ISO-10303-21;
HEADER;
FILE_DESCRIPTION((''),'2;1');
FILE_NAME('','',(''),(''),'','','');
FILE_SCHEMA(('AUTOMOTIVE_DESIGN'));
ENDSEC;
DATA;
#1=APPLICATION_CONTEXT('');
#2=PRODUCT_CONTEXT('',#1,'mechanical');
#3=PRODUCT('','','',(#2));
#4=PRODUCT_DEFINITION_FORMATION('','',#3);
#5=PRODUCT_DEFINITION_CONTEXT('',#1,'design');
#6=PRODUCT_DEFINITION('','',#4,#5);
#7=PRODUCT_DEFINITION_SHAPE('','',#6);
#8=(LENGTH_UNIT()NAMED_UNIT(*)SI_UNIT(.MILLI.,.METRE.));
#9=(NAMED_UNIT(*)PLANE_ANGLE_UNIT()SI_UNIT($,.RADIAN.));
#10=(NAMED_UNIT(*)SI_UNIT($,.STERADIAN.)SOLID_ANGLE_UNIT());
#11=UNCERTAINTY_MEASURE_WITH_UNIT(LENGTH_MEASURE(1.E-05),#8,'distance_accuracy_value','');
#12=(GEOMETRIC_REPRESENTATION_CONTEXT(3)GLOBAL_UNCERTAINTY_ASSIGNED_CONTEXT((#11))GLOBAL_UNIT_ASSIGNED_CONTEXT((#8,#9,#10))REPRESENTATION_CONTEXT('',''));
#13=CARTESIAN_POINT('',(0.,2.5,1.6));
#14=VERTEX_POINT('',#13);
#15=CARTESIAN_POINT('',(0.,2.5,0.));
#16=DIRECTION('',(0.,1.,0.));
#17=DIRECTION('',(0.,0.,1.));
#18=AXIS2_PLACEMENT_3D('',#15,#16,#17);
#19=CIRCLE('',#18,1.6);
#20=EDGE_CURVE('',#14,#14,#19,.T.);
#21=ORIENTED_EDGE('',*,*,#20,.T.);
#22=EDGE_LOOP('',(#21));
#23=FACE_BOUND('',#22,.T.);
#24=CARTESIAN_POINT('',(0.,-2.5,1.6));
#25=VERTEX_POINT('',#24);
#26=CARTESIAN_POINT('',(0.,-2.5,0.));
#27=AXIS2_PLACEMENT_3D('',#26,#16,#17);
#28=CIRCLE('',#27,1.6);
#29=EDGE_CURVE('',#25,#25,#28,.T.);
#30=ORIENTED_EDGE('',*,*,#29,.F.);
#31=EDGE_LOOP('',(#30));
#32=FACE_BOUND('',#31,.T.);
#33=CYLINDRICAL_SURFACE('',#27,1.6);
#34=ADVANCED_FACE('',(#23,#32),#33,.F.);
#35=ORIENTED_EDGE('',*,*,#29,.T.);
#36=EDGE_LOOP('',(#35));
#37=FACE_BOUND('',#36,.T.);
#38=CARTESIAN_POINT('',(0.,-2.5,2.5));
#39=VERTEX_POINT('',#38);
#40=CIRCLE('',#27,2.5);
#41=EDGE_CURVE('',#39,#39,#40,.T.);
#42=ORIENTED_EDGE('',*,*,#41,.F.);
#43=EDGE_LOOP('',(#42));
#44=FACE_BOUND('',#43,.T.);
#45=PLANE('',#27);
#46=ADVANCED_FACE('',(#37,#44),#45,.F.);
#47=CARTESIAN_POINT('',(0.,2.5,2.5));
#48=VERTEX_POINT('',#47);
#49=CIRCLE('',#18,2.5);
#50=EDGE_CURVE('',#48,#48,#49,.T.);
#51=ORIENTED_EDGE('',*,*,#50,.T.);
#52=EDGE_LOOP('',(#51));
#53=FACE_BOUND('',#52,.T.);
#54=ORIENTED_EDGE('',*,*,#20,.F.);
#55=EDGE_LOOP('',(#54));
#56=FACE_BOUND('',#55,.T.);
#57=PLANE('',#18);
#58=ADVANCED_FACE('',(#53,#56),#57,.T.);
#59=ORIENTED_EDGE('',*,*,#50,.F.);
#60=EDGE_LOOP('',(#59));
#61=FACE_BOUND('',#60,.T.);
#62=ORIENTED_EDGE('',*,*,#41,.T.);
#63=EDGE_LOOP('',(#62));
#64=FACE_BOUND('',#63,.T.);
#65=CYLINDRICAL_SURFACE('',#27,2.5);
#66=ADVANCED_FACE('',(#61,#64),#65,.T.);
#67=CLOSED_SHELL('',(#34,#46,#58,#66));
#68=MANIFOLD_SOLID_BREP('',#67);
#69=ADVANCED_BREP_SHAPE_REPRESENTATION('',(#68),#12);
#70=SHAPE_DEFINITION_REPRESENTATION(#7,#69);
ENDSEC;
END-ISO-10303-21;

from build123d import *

# Parameters (mm, degrees)
BOSS_EXTRUDE1_DEPTH      = 2.5
BOSS_EXTRUDE1_DEPTH_BACK = 2.5
SKETCH1_R                = 2.5
SKETCH1_R_2              = 1.6


with BuildPart() as part:
    # Sketch1 → Boss-Extrude1 (new, two sides: drawn at the far end of the back side and taken through both)
    with BuildSketch(Plane(origin=(0, 0, 0), x_dir=(1, 0, 0), z_dir=(0, 1, 0)).offset(-BOSS_EXTRUDE1_DEPTH_BACK)):
        Circle(SKETCH1_R)
        Circle(SKETCH1_R_2, mode=Mode.SUBTRACT)
    extrude(amount=BOSS_EXTRUDE1_DEPTH + BOSS_EXTRUDE1_DEPTH_BACK)


solid = part.part
